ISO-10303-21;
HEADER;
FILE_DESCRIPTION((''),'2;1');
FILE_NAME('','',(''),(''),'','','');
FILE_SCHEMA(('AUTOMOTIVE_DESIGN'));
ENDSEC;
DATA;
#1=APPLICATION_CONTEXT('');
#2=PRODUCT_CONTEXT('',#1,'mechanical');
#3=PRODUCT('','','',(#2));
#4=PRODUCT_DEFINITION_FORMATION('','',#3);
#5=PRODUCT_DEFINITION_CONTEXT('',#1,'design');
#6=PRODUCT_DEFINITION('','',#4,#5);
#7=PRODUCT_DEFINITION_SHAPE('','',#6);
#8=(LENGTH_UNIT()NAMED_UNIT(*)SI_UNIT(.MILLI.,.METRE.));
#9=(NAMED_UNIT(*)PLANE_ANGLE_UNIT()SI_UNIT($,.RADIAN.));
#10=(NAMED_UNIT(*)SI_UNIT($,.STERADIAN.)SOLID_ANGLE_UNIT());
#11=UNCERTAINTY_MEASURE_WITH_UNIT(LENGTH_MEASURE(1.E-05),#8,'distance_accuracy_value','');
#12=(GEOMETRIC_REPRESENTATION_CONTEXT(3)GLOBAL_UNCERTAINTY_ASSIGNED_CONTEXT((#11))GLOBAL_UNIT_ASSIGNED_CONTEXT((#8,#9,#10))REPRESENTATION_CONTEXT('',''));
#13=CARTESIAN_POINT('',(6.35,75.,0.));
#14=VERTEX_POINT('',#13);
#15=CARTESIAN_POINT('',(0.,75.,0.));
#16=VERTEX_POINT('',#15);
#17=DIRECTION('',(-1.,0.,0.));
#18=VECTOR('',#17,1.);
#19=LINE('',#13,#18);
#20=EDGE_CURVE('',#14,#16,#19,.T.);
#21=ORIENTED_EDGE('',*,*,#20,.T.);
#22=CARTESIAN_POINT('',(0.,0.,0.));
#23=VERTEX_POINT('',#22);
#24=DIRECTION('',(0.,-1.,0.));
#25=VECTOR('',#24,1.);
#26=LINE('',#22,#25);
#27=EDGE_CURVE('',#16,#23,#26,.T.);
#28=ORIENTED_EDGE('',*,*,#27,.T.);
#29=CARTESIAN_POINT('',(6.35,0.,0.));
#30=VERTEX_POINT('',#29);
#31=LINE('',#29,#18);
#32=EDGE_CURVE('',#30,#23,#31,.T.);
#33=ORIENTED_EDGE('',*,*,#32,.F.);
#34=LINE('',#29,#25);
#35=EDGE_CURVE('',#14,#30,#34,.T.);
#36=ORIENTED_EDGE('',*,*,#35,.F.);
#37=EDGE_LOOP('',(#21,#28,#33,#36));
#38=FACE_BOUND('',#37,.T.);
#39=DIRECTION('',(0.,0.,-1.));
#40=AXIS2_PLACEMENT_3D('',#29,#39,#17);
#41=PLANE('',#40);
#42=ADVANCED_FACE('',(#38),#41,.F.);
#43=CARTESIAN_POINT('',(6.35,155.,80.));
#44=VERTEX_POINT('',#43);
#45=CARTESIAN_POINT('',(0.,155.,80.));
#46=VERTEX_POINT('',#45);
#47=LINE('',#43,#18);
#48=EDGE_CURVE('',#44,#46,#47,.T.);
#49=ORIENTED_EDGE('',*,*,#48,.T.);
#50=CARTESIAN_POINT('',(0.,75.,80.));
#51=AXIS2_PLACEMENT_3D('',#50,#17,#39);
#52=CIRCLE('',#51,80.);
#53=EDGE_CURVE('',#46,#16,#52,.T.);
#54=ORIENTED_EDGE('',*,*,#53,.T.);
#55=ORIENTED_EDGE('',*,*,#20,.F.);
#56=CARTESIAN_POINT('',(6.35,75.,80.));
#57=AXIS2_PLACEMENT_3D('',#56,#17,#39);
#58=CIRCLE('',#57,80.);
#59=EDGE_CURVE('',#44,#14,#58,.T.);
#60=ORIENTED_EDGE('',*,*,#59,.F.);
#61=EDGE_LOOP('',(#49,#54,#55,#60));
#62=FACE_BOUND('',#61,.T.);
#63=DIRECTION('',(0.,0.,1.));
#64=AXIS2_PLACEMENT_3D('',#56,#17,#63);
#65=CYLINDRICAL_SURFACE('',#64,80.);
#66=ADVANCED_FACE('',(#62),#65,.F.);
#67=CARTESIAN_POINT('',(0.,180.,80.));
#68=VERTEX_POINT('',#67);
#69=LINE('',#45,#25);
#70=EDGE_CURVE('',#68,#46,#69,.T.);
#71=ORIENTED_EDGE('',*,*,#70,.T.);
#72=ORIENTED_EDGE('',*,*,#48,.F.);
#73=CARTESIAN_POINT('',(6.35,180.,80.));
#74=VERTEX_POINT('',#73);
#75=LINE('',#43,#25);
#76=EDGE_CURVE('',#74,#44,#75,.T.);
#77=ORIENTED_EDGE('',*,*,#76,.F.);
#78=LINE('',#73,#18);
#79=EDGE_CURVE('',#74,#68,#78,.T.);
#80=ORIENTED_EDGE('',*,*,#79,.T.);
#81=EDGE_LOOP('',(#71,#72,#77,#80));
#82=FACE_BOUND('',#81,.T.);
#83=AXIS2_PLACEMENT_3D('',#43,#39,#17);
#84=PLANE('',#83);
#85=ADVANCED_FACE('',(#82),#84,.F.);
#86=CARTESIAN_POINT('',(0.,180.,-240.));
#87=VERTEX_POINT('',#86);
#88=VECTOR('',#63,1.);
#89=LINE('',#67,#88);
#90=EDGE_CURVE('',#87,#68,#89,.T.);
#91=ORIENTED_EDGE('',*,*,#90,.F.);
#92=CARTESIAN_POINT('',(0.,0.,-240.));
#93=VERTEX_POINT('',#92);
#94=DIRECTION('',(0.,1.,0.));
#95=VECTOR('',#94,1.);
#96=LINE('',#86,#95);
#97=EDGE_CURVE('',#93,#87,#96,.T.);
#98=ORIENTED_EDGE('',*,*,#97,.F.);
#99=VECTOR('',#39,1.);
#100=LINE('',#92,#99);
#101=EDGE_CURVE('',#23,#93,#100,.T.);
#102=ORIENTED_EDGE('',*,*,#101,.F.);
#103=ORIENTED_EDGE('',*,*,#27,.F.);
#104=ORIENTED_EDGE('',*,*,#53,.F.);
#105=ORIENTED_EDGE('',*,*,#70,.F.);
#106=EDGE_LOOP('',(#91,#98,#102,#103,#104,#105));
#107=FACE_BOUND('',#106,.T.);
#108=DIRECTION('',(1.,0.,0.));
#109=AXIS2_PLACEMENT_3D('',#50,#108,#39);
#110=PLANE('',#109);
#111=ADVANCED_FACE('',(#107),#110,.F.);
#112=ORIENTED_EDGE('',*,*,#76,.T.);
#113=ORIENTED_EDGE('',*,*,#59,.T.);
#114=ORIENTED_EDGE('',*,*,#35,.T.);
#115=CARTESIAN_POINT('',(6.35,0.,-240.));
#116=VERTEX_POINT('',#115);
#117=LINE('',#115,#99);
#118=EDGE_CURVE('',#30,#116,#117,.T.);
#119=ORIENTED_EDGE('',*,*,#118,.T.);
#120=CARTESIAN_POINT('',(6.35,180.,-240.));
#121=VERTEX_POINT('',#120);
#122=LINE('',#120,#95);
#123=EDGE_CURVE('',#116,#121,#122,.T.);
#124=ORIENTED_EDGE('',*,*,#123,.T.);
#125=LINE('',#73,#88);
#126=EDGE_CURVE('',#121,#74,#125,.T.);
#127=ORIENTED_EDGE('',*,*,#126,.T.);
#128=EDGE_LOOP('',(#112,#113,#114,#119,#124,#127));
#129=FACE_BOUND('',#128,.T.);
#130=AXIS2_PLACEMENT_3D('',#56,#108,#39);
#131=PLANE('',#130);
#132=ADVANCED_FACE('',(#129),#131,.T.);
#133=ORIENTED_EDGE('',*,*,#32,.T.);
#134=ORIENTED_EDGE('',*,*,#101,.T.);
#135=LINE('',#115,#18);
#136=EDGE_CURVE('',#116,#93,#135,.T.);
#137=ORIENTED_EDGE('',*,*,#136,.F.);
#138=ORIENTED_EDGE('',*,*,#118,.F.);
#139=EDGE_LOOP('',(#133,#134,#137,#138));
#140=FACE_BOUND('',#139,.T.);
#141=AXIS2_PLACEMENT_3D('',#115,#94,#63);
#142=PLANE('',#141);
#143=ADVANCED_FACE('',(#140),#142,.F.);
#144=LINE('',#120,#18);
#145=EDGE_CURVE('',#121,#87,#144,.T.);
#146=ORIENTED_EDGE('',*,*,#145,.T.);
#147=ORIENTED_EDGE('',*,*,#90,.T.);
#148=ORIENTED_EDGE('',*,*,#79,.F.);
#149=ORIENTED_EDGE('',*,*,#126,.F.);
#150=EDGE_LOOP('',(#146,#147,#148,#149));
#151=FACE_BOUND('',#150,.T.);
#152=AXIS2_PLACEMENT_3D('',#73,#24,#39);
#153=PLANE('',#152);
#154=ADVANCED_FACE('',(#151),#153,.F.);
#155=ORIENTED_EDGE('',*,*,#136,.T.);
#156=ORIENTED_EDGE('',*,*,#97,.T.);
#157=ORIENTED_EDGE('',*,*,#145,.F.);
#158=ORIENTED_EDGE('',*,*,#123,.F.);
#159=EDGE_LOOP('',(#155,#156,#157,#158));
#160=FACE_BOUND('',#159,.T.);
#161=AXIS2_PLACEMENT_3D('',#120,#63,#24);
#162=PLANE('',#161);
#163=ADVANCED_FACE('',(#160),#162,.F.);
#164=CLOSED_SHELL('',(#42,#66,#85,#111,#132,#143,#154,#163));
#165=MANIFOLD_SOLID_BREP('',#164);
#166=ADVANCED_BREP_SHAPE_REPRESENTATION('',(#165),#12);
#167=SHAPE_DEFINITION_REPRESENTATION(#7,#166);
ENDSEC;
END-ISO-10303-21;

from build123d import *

# Parameters (mm, degrees)
BOSS_EXTRUDE1_DEPTH = 6.35


with BuildPart() as part:
    # Sketch1 → Boss-Extrude1 (new body)
    with BuildSketch(Plane(origin=(0, 0, 0), x_dir=(0, 0, -1), z_dir=(1, 0, 0))):
        with BuildLine():
            Line((0, 0), (0, 75))
            ThreePointArc((0, 75), (-23.431457505, 131.568542495), (-80, 155))
            Line((-80, 155), (-80, 180))
            Line((-80, 180), (240, 180))
            Line((240, 180), (240, 0))
            Line((240, 0), (0, 0))
        make_face()
    extrude(amount=BOSS_EXTRUDE1_DEPTH)


solid = part.part
